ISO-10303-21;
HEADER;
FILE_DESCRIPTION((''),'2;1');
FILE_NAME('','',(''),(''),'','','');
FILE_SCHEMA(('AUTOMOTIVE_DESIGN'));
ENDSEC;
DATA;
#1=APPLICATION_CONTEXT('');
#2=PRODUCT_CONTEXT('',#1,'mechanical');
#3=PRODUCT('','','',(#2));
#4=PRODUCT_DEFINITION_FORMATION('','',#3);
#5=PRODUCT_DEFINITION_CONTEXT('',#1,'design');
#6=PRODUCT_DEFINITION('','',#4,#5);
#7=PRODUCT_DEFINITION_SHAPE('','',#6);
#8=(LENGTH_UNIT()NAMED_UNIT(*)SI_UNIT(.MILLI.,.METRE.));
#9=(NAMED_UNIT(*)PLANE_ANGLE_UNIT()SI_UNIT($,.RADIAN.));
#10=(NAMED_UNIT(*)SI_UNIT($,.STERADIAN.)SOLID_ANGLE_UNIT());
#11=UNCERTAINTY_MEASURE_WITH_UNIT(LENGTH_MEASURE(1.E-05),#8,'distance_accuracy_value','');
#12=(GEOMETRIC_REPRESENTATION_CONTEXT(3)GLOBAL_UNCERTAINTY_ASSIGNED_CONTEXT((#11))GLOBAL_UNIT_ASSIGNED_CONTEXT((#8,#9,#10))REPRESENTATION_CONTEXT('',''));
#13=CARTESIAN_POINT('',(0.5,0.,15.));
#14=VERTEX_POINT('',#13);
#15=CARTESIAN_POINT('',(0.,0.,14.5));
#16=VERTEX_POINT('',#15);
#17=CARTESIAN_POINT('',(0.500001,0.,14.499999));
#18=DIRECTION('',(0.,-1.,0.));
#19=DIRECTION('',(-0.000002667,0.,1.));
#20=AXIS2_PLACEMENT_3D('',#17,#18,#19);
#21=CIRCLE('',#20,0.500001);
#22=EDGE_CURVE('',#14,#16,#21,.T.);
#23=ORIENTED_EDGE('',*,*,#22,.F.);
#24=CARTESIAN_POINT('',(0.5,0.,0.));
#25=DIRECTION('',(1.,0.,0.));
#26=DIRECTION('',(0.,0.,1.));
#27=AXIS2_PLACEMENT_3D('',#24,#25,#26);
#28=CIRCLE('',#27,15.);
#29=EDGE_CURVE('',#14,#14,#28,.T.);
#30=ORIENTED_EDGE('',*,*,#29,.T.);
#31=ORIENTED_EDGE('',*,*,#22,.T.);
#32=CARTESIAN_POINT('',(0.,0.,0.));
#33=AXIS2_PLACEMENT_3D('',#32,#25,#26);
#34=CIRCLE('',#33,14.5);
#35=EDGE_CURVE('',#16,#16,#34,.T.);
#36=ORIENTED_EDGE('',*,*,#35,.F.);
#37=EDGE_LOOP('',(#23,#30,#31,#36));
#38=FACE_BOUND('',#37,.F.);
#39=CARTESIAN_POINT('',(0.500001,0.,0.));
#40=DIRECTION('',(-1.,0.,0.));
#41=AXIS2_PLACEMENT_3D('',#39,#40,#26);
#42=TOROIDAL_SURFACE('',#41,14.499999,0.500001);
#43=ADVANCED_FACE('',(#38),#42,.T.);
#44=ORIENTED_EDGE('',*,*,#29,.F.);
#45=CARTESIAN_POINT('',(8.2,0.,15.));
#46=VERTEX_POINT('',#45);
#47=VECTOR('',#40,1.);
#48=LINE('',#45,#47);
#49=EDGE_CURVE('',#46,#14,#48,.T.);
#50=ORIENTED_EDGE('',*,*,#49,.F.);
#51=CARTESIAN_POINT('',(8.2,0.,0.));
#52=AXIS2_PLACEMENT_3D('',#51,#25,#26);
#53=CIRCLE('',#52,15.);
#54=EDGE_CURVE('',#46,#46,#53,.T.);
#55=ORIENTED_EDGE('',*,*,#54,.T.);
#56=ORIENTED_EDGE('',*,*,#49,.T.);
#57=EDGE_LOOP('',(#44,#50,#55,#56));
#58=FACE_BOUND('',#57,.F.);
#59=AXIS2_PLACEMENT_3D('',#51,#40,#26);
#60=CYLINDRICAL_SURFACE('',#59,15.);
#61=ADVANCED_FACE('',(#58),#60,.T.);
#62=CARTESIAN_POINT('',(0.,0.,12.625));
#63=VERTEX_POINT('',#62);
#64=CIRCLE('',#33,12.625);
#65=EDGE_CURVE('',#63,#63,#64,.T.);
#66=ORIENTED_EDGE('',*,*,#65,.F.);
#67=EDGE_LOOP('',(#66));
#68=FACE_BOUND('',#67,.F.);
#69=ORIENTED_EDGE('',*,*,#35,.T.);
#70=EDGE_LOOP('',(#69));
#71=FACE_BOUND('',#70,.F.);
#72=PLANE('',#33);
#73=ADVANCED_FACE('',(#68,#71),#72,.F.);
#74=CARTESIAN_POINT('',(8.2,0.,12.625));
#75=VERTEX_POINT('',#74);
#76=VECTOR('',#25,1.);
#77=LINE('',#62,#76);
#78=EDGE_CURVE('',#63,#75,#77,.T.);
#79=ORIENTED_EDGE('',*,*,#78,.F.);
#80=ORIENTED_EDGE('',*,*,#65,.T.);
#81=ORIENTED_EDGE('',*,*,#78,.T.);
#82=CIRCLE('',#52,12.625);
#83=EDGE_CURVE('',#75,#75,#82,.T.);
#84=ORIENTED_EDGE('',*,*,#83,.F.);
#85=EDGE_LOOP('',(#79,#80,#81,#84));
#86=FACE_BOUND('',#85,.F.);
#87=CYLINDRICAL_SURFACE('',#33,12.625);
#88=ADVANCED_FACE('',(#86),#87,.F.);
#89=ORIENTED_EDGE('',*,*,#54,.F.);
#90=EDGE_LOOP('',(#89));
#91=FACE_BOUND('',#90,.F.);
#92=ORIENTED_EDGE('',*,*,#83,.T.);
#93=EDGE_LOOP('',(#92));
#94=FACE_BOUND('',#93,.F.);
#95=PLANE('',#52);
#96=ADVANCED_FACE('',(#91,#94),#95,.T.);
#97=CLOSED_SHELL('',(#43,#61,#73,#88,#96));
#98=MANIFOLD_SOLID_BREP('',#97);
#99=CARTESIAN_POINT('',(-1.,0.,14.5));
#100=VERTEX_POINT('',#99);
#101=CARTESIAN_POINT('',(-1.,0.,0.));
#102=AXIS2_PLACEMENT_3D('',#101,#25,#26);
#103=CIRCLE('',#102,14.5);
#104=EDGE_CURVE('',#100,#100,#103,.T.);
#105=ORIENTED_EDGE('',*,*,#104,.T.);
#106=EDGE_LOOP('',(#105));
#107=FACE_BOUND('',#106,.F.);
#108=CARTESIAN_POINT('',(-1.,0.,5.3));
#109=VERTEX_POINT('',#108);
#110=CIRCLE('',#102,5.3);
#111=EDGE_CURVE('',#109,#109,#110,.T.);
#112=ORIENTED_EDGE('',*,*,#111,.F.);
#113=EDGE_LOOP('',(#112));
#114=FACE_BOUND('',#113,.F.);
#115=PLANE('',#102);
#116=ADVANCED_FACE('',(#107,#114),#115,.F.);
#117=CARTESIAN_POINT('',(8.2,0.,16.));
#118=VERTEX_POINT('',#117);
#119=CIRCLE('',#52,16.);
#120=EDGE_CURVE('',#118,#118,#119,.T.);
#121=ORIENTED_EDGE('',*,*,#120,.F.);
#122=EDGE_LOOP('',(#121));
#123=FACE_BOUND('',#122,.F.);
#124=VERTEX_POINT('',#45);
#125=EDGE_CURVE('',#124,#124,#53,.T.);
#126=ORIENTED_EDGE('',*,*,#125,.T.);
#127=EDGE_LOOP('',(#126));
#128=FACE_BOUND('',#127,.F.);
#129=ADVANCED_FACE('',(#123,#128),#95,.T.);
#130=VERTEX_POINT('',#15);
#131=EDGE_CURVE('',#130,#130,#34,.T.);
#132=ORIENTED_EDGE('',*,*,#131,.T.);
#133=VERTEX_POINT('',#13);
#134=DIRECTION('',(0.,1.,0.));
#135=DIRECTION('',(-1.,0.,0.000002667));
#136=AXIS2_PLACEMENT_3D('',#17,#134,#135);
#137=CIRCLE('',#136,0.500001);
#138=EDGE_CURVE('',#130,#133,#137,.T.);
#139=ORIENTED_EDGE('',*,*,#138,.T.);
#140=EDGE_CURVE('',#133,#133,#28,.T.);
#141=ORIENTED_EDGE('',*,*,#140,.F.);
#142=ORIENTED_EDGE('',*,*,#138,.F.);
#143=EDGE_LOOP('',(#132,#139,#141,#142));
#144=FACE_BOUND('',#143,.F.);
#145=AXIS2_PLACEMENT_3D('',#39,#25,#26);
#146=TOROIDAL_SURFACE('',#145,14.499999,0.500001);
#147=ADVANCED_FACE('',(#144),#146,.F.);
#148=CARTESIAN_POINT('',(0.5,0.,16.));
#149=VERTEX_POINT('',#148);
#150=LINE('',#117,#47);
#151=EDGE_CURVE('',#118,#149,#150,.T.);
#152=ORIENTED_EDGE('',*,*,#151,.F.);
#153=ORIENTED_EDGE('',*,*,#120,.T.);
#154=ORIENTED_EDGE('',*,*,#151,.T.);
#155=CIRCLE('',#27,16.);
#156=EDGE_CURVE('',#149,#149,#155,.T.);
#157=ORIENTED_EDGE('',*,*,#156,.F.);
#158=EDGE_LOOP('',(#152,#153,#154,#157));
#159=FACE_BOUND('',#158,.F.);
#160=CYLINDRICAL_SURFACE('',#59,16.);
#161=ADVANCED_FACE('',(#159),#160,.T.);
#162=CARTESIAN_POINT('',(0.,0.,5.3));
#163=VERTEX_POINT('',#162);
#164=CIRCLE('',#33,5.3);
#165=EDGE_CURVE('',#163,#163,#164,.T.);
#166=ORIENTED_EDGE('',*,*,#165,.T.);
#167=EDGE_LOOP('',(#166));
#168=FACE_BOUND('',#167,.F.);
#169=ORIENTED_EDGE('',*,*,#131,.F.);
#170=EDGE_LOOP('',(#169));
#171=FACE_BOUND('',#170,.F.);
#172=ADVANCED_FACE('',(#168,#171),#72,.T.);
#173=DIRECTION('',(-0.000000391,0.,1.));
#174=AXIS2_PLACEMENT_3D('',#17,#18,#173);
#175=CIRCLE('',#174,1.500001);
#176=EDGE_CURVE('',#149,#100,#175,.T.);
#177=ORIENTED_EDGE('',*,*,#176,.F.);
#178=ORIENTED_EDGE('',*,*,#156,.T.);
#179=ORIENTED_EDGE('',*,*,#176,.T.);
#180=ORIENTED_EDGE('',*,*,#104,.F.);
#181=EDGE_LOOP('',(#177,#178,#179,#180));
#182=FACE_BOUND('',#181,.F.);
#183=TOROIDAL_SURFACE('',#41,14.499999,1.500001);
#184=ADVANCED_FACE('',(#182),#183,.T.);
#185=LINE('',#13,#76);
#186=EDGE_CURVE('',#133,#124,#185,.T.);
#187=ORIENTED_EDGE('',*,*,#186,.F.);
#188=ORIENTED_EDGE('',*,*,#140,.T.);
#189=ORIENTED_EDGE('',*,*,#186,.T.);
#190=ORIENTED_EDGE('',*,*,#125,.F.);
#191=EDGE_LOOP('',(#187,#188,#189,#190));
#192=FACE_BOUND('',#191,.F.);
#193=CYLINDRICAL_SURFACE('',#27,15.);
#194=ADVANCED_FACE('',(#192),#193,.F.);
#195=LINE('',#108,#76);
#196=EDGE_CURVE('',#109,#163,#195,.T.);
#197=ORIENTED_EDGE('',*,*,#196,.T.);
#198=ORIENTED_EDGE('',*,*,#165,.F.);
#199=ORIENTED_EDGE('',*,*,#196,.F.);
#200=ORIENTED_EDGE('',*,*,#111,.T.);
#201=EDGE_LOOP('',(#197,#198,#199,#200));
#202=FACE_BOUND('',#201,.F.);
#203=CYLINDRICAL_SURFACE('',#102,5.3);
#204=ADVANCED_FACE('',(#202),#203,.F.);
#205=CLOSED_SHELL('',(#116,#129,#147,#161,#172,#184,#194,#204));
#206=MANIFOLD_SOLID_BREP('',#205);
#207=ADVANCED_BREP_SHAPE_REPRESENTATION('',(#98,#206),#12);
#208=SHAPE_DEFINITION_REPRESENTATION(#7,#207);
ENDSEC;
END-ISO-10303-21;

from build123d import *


with BuildPart() as f1:
    # F0 (on Front) → F1 (revolve)
    with BuildSketch(Plane.XZ):
        with BuildLine():
            Line((-1, 5.3), (0, 5.3))
            Line((0, 5.3), (0, 14.5))
            ThreePointArc((0, 14.5), (0.146447, 14.853553), (0.5, 15))
            Line((0.5, 15), (8.2, 15))
            Line((8.2, 15), (8.2, 16))
            Line((8.2, 16), (0.5, 16))
            ThreePointArc((0.5, 16), (-0.56066, 15.56066), (-1, 14.5))
            Line((-1, 14.5), (-1, 5.3))
        make_face()
    revolve(axis=Axis((5.047445, 0, 0), (1, 0, 0)))


with BuildPart() as f3:
    # F2 (on Front) → F3 (revolve)
    with BuildSketch(Plane.XZ):
        with BuildLine():
            Line((8.2, 15), (0.5, 15))
            ThreePointArc((0.5, 15), (0.146447, 14.853553), (0, 14.5))
            Line((0, 14.5), (0, 12.625))
            Line((0, 12.625), (8.2, 12.625))
            Line((8.2, 12.625), (8.2, 15))
        make_face()
    revolve(axis=Axis((5.047445, 0, 0), (1, 0, 0)))


solid = Compound([f1.part, f3.part])
